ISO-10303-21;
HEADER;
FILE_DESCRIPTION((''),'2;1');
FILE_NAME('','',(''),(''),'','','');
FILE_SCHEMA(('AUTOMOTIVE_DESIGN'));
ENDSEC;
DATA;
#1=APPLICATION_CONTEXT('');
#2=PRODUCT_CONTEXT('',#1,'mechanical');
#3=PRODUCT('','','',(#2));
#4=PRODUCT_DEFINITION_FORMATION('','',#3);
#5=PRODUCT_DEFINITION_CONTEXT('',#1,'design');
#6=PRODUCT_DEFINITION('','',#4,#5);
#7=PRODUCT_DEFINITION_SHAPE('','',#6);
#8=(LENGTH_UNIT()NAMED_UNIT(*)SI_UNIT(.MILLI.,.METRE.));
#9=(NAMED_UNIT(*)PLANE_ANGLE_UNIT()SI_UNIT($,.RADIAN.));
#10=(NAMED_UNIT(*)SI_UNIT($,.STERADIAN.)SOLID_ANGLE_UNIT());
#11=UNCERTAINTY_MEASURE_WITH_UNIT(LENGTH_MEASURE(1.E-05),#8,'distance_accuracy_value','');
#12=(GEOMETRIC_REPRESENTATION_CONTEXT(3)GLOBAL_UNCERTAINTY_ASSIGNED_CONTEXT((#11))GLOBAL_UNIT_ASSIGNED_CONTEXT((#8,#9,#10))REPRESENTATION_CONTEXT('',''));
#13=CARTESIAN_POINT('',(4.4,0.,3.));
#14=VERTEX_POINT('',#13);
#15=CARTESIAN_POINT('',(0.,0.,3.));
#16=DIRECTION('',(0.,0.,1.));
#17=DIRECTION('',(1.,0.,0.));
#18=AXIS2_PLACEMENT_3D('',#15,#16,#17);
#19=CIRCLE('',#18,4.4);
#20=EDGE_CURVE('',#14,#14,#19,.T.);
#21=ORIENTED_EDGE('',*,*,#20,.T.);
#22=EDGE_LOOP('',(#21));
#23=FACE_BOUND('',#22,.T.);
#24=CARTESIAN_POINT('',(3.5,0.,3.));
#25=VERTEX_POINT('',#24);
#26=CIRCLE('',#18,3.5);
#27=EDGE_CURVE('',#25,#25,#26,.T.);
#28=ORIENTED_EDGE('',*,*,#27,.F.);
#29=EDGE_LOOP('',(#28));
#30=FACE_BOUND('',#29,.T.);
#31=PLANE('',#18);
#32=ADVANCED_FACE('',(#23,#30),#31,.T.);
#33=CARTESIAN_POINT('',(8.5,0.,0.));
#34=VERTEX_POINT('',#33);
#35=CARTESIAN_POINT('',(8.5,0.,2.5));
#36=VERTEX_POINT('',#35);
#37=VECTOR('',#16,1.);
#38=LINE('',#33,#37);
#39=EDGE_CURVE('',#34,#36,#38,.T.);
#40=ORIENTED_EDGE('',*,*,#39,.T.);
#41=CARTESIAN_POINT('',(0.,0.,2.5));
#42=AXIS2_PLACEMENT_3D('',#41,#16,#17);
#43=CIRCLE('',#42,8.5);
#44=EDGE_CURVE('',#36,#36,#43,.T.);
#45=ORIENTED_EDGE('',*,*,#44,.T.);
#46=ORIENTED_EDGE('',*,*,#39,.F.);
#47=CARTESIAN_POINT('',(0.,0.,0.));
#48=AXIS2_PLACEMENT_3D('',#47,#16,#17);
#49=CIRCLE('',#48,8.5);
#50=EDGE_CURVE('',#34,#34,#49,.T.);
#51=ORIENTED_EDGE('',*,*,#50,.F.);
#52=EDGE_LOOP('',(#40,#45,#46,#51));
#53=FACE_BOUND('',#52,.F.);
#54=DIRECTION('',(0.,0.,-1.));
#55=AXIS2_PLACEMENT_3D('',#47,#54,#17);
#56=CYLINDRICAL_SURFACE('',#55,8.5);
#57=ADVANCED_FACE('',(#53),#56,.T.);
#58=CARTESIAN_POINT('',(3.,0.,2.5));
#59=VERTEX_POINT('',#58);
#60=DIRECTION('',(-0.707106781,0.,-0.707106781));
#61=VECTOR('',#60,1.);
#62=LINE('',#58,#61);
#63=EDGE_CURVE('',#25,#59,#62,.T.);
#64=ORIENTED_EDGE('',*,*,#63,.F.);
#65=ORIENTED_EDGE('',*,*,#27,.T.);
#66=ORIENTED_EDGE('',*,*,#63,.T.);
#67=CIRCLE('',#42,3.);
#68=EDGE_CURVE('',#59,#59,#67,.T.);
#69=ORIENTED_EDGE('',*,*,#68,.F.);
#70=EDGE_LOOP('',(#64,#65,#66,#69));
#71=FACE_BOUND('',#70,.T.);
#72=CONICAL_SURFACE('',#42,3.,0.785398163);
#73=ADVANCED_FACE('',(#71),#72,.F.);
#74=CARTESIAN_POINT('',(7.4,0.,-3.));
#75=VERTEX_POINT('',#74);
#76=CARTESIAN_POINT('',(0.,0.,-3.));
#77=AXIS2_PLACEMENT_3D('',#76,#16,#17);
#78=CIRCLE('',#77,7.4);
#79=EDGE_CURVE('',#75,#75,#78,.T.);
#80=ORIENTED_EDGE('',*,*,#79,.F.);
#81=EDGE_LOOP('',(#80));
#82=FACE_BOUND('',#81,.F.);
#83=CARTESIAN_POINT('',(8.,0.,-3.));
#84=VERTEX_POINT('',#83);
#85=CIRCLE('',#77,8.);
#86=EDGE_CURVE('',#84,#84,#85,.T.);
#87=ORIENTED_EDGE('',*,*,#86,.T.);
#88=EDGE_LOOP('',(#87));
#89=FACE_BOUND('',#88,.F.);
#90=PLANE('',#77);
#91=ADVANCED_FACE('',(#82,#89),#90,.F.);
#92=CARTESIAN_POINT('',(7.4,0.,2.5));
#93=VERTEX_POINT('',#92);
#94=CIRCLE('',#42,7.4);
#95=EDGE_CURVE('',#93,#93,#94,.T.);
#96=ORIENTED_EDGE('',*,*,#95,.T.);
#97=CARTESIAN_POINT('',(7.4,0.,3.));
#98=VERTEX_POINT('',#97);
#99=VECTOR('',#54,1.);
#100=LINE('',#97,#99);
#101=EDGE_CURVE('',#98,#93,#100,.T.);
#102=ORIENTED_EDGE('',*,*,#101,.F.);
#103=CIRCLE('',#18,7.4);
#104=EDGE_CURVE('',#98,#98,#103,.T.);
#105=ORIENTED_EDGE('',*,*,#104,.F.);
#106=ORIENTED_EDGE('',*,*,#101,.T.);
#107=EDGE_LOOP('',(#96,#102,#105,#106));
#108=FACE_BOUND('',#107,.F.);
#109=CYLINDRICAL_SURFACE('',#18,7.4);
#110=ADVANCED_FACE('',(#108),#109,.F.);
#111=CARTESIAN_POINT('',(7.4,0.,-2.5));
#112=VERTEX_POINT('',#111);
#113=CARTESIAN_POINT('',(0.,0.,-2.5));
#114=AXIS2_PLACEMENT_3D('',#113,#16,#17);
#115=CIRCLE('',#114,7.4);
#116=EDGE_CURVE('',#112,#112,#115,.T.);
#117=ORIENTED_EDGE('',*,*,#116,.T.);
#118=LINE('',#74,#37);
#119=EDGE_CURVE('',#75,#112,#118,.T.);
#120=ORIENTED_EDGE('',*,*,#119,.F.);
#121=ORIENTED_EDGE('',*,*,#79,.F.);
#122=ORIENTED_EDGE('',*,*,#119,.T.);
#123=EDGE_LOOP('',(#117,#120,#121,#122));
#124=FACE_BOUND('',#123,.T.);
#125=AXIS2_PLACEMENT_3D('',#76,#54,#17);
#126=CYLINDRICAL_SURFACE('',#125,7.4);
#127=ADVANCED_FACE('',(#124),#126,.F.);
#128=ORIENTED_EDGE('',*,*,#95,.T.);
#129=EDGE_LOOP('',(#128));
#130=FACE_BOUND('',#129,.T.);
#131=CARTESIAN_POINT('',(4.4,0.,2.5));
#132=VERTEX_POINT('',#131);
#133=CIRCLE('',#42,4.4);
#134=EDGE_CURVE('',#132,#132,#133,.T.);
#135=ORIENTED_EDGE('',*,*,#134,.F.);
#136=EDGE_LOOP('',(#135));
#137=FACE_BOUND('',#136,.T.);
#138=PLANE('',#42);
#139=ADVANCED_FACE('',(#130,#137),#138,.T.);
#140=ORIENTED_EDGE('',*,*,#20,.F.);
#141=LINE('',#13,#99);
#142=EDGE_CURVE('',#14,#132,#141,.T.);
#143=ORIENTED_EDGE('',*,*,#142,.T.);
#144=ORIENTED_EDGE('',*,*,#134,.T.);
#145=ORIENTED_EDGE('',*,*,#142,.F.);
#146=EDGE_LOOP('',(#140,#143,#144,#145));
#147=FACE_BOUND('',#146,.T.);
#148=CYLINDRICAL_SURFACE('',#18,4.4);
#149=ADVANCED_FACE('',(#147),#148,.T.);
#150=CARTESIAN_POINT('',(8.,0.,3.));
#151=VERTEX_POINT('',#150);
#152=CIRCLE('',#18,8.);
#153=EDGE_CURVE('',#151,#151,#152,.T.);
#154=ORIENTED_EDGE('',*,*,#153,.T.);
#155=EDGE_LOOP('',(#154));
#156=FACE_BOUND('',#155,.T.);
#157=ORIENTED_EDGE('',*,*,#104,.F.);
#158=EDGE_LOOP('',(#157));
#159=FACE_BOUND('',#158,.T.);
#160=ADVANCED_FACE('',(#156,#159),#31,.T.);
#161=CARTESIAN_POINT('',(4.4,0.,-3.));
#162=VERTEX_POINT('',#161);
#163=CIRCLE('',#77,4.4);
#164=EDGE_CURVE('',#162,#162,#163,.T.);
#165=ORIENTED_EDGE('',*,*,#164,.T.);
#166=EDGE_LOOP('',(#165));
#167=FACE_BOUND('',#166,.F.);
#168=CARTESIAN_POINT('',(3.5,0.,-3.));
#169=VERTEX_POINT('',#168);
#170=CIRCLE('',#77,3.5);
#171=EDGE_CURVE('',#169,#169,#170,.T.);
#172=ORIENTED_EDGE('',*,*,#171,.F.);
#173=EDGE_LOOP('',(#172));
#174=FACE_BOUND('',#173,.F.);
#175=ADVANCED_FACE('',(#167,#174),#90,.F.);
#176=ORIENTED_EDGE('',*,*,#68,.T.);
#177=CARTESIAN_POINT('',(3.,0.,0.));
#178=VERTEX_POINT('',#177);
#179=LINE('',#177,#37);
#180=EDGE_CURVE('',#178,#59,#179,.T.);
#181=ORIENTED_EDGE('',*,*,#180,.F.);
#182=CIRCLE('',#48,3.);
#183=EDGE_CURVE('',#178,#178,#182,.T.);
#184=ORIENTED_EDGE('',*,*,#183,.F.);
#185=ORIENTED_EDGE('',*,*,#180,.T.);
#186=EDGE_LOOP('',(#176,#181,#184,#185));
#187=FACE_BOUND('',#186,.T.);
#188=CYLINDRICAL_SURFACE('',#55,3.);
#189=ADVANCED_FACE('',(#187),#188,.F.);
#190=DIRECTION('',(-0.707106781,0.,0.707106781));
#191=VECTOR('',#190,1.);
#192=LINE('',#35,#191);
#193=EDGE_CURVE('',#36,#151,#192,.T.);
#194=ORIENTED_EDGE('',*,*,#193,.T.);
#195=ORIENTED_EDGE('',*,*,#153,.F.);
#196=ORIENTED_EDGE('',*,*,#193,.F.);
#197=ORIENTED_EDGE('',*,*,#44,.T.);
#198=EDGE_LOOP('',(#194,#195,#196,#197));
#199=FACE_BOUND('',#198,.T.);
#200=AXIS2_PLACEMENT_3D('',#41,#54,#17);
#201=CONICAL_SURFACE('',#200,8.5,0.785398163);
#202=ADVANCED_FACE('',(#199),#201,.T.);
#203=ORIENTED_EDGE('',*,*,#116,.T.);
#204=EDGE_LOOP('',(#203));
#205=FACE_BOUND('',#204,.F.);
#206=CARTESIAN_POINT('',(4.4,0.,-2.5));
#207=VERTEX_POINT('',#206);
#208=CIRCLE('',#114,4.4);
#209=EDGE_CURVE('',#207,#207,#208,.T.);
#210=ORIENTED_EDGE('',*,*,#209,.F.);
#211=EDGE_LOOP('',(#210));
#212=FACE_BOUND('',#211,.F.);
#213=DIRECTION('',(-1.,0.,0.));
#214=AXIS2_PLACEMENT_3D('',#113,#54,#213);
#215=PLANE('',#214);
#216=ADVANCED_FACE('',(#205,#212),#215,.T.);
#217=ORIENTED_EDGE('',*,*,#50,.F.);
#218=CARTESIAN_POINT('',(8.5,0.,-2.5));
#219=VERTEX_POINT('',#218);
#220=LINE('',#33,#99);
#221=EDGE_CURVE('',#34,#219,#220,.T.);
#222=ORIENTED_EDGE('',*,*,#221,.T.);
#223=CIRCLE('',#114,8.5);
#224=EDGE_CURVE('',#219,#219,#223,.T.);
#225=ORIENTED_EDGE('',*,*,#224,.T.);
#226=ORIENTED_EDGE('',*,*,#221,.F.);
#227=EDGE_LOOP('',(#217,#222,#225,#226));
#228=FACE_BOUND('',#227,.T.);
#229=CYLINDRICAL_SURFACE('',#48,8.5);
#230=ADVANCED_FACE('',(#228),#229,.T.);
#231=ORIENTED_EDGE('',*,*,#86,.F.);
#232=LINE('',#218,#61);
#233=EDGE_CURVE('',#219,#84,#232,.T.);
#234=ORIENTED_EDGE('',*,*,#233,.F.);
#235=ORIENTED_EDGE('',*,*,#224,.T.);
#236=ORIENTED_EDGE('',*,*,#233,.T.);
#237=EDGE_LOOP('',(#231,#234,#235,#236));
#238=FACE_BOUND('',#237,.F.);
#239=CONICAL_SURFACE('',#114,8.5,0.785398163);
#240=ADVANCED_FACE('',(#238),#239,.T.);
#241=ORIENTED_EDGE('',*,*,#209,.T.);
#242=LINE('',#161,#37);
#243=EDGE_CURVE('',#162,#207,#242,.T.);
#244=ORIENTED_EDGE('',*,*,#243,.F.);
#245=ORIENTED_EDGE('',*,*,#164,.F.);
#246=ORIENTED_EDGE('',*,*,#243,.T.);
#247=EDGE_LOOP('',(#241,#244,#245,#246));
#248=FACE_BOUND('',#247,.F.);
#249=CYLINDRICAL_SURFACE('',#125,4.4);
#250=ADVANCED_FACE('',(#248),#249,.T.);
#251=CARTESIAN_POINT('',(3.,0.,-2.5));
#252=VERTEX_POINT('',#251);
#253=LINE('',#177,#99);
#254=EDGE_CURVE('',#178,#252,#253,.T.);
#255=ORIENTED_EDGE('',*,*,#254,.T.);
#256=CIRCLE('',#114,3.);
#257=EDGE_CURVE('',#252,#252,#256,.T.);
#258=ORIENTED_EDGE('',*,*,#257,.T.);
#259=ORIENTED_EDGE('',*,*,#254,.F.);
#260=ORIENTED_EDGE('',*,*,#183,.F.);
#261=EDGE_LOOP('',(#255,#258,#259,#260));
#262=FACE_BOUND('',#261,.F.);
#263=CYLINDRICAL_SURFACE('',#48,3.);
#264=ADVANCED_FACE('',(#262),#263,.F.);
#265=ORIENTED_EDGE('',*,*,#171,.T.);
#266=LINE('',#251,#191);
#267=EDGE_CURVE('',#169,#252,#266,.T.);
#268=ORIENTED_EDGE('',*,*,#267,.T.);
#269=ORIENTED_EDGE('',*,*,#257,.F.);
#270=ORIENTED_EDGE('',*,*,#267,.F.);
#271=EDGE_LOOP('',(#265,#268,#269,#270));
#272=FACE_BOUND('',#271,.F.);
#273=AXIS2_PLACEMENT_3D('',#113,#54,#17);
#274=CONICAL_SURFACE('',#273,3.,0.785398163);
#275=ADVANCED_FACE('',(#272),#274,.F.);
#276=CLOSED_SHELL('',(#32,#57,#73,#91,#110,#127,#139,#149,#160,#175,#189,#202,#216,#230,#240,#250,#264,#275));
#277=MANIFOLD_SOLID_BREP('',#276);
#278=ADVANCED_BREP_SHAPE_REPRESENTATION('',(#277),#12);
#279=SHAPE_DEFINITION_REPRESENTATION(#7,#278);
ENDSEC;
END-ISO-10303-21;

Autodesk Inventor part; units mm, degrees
ref_plane "YZ Plane" through (0, 0, 0) normal (1, 0, 0) x (0, 1, 0)
ref_plane "XZ Plane" through (0, 0, 0) normal (0, 1, 0) x (-1, 0, 0)
ref_plane "XY Plane" through (0, 0, 0) normal (0, 0, 1) x (1, 0, 0)
sketch "Эскиз1" plane through (0, 0, 0) normal (0, 0, 1) x (1, 0, 0)
  circle A0 centre (0, 0) radius 8.5
  circle A1 centre (0, 0) radius 3
  dimension "d0" = 6
  dimension "d1" = 17
extrude "Выдавливание1" add sketch "Эскиз1" along normal mid plane 6
chamfer "Фаска1" distance 0.5 angle 45 4 edges at (-8.5, 0, -3) (-8.5, 0, 3) (-3, 0, 3) (-3, 0, -3)
sketch "Эскиз2" plane through (0, 0, 3) normal (0, 0, 1) x (1, 0, 0)
  circle A0 centre (0, 0) radius 7.4
  circle A1 centre (0, 0) radius 4.4
  dimension "d7" = 8.8
  dimension "d8" = 14.8
extrude "Выдавливание2" cut sketch "Эскиз2" against normal blind 0.5
mirror "Зеркальное отражение1" about plane through (0, 0, 0) normal (0, 0, 1) of "Выдавливание2"
properties part number "Подшипник"
